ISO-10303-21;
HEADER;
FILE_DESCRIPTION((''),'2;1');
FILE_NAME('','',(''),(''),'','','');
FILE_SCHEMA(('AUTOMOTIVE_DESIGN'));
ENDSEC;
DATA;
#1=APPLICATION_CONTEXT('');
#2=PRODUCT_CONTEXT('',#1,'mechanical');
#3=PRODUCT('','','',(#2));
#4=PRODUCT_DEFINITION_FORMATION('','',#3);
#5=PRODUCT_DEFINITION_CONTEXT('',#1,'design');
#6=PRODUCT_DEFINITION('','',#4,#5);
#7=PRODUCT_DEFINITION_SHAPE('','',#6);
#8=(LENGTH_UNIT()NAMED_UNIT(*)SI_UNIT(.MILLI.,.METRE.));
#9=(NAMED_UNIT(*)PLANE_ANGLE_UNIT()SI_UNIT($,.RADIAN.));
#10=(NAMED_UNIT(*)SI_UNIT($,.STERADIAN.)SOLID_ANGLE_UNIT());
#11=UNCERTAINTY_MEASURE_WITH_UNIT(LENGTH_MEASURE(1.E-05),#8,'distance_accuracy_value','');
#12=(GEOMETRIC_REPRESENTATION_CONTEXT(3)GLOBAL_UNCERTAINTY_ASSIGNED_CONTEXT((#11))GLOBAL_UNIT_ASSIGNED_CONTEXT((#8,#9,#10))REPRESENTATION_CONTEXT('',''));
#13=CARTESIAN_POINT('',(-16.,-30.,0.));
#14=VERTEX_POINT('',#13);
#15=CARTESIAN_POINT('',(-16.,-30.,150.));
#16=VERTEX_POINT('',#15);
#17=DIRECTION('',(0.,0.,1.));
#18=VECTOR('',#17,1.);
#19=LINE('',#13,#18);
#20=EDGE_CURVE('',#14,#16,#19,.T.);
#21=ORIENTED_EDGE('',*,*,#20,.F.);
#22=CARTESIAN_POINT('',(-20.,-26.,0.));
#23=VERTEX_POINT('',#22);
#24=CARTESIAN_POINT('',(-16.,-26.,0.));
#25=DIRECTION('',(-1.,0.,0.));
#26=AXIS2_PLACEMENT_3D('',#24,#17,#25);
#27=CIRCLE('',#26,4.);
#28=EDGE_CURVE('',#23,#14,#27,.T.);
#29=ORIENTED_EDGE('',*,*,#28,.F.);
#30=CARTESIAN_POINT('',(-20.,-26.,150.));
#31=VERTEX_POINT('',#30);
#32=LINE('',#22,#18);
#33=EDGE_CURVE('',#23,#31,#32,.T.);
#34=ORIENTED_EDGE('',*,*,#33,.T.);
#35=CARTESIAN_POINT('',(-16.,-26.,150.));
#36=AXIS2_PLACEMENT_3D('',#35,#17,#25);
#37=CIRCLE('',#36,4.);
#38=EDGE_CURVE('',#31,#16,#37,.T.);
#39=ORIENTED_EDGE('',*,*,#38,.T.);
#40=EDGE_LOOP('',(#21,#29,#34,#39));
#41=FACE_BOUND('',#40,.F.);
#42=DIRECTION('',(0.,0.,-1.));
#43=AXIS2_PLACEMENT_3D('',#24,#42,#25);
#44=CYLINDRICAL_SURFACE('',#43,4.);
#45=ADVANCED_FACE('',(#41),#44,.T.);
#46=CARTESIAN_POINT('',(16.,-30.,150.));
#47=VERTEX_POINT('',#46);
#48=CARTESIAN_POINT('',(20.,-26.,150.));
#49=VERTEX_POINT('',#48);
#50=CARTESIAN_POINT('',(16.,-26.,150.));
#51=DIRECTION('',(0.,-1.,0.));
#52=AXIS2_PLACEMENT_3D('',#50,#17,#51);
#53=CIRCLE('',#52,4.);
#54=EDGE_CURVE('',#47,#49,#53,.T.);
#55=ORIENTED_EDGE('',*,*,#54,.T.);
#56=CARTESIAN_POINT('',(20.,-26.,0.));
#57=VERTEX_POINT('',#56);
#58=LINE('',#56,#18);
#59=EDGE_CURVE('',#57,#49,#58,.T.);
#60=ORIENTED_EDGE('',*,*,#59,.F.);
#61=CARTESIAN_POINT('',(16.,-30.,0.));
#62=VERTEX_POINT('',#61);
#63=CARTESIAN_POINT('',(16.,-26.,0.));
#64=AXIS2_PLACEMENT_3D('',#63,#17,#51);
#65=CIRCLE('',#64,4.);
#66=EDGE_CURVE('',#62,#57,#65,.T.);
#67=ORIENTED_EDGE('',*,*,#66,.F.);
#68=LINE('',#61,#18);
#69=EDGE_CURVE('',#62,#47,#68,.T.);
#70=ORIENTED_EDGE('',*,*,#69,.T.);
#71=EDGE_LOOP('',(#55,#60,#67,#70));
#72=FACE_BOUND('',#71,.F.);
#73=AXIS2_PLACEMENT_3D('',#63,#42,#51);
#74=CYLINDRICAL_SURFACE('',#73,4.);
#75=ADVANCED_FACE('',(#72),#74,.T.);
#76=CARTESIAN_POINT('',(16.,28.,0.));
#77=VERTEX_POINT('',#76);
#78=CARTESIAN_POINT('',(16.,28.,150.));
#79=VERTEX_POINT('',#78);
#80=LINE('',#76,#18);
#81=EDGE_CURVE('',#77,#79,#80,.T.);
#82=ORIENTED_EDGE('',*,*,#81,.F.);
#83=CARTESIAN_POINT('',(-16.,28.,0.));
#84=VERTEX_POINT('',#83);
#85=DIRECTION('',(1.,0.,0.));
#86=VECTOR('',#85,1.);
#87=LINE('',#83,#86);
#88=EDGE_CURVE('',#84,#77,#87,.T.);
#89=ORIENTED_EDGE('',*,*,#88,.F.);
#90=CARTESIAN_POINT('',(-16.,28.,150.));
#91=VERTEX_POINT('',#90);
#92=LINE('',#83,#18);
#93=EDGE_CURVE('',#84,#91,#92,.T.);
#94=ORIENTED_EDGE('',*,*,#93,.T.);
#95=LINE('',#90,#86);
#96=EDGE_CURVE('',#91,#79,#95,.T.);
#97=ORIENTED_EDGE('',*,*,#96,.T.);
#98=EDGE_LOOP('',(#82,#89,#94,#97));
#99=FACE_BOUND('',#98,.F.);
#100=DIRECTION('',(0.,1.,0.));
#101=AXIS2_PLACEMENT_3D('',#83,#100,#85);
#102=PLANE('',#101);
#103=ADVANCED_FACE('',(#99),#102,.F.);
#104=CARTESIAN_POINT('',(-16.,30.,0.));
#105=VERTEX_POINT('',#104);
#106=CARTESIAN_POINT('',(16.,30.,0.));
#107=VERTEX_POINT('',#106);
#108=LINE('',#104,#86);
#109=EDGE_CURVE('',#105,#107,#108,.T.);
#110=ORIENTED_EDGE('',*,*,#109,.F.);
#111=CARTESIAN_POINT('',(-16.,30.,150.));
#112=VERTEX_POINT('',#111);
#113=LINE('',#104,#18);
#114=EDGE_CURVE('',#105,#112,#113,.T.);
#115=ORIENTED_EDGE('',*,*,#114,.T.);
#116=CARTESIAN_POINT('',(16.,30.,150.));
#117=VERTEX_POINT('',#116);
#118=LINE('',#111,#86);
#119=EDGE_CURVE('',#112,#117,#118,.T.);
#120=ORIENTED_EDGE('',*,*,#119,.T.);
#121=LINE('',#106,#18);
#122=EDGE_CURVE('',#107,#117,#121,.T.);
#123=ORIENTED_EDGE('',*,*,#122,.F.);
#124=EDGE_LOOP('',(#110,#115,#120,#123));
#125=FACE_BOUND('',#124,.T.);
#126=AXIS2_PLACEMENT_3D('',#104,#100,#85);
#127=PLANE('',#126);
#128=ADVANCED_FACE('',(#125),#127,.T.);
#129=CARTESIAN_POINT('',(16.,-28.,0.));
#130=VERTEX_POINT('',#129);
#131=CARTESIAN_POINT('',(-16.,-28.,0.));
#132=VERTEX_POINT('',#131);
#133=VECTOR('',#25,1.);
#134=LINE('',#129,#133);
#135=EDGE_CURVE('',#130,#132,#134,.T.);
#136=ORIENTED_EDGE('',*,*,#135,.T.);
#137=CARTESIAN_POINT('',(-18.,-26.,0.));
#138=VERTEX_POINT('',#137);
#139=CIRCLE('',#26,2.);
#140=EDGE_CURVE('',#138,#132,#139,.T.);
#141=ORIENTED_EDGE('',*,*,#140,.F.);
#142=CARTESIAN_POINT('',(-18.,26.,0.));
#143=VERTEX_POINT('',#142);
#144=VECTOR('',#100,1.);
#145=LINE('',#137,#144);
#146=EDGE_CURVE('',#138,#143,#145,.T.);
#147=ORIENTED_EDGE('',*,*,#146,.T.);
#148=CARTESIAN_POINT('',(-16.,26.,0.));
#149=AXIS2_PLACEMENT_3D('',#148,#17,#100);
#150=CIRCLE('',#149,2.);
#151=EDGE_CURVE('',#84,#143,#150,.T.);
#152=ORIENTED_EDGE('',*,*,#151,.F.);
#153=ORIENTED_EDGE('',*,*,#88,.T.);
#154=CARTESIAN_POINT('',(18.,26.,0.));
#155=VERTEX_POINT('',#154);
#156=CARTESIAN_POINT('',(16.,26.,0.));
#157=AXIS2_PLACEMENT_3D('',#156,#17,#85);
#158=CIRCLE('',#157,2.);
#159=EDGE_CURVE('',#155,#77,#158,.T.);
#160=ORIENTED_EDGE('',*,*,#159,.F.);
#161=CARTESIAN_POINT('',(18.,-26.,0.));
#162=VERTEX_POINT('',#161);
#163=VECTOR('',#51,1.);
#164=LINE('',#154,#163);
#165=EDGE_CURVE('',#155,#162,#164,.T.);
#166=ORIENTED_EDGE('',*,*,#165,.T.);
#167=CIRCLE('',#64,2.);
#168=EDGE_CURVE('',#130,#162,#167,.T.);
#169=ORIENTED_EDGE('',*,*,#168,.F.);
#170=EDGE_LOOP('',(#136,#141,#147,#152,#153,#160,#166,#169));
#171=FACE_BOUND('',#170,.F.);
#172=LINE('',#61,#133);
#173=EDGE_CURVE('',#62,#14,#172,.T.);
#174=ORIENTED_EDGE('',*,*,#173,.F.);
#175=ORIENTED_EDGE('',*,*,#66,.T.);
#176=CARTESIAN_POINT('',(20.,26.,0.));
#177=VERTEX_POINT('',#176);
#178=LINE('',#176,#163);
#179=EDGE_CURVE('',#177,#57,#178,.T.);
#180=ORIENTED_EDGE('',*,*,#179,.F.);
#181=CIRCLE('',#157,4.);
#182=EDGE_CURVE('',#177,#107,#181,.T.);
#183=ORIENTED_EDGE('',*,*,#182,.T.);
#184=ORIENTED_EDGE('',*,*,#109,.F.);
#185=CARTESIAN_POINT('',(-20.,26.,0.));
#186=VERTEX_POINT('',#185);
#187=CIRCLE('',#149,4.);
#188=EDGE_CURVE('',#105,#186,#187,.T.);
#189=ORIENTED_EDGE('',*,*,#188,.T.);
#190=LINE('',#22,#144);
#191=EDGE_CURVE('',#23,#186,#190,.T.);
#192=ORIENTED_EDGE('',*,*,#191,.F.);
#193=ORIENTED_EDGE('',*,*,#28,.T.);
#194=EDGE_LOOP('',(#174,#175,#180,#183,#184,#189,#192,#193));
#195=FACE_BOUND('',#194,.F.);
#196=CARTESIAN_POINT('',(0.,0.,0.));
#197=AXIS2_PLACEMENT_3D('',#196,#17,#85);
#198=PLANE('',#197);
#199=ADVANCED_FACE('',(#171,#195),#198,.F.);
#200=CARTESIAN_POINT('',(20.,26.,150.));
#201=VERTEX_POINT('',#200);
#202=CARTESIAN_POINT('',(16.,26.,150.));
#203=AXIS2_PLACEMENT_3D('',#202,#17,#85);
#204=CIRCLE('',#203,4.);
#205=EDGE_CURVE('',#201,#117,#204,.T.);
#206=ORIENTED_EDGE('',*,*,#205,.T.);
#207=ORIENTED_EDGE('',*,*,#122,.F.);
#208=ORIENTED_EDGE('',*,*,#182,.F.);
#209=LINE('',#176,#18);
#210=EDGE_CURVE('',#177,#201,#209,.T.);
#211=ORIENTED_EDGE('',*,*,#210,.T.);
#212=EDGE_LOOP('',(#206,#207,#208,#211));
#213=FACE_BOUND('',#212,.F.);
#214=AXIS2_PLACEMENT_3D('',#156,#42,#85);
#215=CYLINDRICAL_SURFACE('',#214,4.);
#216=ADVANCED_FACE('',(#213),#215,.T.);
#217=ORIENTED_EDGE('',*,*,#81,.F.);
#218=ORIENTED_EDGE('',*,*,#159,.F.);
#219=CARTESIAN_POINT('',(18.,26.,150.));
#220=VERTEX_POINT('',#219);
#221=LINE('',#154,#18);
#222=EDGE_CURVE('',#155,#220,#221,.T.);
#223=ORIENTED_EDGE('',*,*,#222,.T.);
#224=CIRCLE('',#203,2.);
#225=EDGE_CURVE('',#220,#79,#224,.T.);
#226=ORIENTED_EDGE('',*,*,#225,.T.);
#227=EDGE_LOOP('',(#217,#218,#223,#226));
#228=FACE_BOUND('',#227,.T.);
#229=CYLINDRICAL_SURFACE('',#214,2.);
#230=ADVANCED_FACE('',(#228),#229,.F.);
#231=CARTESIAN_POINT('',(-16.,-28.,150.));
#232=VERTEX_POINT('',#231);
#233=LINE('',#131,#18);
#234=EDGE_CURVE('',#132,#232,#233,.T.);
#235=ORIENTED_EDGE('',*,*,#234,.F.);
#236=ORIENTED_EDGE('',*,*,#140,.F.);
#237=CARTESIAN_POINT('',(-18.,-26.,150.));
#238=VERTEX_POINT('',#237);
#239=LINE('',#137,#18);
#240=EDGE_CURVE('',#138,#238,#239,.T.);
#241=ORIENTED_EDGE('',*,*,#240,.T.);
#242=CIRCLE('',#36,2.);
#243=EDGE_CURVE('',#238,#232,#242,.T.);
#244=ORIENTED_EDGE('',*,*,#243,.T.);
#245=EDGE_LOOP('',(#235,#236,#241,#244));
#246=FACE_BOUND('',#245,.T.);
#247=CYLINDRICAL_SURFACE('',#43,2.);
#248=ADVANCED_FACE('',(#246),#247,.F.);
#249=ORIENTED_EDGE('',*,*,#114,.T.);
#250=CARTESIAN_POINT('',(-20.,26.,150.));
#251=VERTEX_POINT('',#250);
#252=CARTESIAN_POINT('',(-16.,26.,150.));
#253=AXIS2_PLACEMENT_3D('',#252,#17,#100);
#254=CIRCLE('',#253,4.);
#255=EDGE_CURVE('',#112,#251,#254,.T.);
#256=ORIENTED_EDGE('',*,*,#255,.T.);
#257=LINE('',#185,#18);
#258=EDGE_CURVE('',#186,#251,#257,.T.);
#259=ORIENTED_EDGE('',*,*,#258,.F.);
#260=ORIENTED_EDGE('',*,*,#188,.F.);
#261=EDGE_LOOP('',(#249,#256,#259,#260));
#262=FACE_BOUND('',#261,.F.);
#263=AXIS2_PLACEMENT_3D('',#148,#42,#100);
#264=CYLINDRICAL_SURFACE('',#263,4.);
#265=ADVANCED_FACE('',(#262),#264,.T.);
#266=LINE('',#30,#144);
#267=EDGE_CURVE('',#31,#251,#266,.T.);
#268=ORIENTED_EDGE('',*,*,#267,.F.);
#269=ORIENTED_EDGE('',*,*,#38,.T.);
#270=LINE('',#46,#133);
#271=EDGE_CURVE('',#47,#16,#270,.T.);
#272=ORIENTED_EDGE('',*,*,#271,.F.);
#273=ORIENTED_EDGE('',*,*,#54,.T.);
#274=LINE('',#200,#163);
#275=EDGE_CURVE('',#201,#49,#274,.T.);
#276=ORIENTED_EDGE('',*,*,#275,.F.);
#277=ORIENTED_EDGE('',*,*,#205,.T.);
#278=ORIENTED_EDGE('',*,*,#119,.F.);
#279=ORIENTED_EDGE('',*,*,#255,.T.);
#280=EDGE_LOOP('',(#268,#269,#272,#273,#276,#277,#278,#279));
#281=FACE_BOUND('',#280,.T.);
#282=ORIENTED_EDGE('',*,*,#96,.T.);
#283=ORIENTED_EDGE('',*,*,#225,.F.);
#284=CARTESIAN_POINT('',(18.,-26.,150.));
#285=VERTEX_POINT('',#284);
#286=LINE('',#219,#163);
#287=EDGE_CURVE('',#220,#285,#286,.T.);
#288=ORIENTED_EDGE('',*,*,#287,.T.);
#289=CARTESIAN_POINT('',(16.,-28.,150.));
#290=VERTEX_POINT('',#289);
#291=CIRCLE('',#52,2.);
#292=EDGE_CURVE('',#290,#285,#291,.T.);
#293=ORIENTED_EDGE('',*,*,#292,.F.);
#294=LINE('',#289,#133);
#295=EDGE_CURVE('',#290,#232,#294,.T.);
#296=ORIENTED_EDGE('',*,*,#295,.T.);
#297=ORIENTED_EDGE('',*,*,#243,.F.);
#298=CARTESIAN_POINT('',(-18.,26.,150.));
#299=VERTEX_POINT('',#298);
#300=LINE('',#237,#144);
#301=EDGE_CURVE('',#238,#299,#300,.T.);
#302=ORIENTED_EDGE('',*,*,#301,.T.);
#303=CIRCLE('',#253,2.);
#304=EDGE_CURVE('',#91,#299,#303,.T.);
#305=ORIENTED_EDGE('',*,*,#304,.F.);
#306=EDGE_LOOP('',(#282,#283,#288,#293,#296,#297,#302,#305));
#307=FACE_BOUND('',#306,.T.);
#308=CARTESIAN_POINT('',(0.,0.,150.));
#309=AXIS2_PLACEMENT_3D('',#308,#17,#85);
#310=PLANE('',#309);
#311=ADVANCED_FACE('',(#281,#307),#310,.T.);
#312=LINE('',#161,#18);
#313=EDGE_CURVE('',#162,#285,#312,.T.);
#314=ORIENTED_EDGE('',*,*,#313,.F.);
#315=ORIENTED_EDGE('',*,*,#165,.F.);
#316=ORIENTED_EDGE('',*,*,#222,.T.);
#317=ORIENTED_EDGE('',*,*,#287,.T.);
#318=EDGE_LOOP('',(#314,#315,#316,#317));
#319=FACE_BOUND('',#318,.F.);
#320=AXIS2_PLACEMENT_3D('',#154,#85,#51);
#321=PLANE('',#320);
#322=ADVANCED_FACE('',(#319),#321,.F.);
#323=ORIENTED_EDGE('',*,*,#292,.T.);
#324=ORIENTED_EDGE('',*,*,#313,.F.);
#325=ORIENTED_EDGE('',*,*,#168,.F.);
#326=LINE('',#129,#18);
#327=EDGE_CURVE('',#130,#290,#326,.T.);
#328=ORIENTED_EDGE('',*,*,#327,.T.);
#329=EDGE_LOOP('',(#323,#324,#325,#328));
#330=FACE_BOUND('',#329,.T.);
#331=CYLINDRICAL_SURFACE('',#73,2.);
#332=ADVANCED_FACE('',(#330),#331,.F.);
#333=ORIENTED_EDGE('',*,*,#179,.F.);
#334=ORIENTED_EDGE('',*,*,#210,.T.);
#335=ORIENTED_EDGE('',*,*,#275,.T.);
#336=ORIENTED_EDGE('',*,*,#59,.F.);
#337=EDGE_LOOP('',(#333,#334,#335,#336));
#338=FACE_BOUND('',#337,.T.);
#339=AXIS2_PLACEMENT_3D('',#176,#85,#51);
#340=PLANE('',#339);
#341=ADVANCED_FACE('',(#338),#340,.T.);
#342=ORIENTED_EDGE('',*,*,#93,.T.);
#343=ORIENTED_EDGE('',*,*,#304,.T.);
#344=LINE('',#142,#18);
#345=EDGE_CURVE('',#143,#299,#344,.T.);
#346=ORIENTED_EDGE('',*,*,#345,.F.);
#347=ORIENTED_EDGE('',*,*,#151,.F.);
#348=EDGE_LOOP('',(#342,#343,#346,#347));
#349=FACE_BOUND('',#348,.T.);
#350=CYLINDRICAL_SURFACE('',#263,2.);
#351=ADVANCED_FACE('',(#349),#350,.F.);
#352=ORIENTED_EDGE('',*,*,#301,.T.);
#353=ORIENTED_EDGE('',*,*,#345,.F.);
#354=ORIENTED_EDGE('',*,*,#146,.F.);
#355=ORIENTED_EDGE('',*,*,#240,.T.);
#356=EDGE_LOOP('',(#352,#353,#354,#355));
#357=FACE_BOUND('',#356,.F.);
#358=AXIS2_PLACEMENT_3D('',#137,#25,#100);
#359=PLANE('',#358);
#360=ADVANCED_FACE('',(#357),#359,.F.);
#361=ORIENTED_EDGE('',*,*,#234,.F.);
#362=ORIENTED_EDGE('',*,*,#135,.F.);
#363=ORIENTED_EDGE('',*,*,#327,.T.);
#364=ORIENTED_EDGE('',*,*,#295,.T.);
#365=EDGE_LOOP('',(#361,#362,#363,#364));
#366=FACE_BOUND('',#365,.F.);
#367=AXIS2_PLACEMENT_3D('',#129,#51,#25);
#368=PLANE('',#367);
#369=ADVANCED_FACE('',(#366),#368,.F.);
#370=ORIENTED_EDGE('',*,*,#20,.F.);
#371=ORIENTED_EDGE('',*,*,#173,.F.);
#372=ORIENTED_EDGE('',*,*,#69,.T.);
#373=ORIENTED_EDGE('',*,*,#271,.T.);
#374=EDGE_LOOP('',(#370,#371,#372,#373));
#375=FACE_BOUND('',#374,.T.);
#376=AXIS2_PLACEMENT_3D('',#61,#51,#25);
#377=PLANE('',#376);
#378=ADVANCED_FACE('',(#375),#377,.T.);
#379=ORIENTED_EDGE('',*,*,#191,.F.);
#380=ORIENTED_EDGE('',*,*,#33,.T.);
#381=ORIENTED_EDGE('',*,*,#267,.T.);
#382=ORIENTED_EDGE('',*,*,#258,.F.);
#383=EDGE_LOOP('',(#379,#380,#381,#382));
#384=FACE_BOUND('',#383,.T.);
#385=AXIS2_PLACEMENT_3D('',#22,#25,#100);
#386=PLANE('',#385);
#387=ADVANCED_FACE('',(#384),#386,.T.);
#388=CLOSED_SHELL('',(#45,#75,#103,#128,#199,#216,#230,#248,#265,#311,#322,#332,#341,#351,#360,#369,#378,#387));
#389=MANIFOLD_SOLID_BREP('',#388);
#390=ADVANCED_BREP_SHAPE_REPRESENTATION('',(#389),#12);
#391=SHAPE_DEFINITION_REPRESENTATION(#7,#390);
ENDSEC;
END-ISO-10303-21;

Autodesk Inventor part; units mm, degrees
ref_plane "YZ Plane" through (0, 0, 0) normal (1, 0, 0) x (0, 1, 0)
ref_plane "Start Plane" through (0, 0, 0) normal (0, 0, 1) x (1, 0, 0)
ref_plane "End Plane" through (0, 0, 150) normal (0, 0, 1) x (1, 0, 0)
sketch "Sketch" plane through (0, 0, 0) normal (0, 0, 1) x (1, 0, 0)
  line L0 (-20, -26) -> (-20, 26)
  line L1 (-16, 30) -> (16, 30)
  line L2 (20, 26) -> (20, -26)
  line L3 (16, -30) -> (-16, -30)
  arc A0 (-20, -26) -> (-16, -30) centre (-16, -26) ccw
  arc A1 (20, 26) -> (16, 30) centre (16, 26) ccw
  arc A2 (-16, 30) -> (-20, 26) centre (-16, 26) ccw
  arc A3 (16, -30) -> (20, -26) centre (16, -26) ccw
  arc A4 (-16, 28) -> (-18, 26) centre (-16, 26) ccw
  line L4 (-16, 28) -> (16, 28)
  arc A5 (18, 26) -> (16, 28) centre (16, 26) ccw
  line L5 (18, 26) -> (18, -26)
  arc A6 (16, -28) -> (18, -26) centre (16, -26) ccw
  line L6 (16, -28) -> (-16, -28)
  arc A7 (-18, -26) -> (-16, -28) centre (-16, -26) ccw
  line L7 (-18, -26) -> (-18, 26)
  line L8 (0, 43.1598) -> (0, -43.1598) construction
  line L9 (-29.1598, 0) -> (29.1598, 0) construction
  dimension "d7" = 4
  dimension "d9" = 40
  dimension "d11" = 60
  dimension "d12" = 2
  dimension "d15" = 20
  dimension "d16" = 30
extrude "Body" add sketch "Sketch" along normal up to surface (150 mm away) from surface at 0
sketch "Sketch3" plane through (0, 0, 0) normal (0, 0, 1) x (1, 0, 0)
  line L0 (0, 0) -> (10, 0)
ref_plane "Work Plane3" through (0, 0, 0) normal (0, -1, 0) x (1, 0, 0)
sketch "Sketch4" plane through (0, 0, 0) normal (0, -1, 0) x (1, 0, 0)
  line L0 (-2, 0) -> (12, 0) projected
  line L1 (-2, 150) -> (12, 150) projected
  dimension "d18" = 150
equation "\"d7\" = G_IR"
equation "\"d9\" = G_W"
equation "\"d11\" = G_H"
equation "\"d12\" = G_T"
equation "\"d15\" = 0.5 * d9"
equation "\"d16\" = 0.5 * d11"
equation "\"d3\" = G_L"
equation "\"G_W\" = 40"
equation "\"G_H\" = 60"
equation "\"G_T\" = 2"
equation "\"G_IR\" = 4"
equation "\"G_L\" = d18"
equation "\"G_OFFSET_START\" = 0"
equation "\"G_OFFSET_END\" = 0"
properties part number "ISO 10799-2 - 60x40x2 - 150" material "Steel, Mild"
